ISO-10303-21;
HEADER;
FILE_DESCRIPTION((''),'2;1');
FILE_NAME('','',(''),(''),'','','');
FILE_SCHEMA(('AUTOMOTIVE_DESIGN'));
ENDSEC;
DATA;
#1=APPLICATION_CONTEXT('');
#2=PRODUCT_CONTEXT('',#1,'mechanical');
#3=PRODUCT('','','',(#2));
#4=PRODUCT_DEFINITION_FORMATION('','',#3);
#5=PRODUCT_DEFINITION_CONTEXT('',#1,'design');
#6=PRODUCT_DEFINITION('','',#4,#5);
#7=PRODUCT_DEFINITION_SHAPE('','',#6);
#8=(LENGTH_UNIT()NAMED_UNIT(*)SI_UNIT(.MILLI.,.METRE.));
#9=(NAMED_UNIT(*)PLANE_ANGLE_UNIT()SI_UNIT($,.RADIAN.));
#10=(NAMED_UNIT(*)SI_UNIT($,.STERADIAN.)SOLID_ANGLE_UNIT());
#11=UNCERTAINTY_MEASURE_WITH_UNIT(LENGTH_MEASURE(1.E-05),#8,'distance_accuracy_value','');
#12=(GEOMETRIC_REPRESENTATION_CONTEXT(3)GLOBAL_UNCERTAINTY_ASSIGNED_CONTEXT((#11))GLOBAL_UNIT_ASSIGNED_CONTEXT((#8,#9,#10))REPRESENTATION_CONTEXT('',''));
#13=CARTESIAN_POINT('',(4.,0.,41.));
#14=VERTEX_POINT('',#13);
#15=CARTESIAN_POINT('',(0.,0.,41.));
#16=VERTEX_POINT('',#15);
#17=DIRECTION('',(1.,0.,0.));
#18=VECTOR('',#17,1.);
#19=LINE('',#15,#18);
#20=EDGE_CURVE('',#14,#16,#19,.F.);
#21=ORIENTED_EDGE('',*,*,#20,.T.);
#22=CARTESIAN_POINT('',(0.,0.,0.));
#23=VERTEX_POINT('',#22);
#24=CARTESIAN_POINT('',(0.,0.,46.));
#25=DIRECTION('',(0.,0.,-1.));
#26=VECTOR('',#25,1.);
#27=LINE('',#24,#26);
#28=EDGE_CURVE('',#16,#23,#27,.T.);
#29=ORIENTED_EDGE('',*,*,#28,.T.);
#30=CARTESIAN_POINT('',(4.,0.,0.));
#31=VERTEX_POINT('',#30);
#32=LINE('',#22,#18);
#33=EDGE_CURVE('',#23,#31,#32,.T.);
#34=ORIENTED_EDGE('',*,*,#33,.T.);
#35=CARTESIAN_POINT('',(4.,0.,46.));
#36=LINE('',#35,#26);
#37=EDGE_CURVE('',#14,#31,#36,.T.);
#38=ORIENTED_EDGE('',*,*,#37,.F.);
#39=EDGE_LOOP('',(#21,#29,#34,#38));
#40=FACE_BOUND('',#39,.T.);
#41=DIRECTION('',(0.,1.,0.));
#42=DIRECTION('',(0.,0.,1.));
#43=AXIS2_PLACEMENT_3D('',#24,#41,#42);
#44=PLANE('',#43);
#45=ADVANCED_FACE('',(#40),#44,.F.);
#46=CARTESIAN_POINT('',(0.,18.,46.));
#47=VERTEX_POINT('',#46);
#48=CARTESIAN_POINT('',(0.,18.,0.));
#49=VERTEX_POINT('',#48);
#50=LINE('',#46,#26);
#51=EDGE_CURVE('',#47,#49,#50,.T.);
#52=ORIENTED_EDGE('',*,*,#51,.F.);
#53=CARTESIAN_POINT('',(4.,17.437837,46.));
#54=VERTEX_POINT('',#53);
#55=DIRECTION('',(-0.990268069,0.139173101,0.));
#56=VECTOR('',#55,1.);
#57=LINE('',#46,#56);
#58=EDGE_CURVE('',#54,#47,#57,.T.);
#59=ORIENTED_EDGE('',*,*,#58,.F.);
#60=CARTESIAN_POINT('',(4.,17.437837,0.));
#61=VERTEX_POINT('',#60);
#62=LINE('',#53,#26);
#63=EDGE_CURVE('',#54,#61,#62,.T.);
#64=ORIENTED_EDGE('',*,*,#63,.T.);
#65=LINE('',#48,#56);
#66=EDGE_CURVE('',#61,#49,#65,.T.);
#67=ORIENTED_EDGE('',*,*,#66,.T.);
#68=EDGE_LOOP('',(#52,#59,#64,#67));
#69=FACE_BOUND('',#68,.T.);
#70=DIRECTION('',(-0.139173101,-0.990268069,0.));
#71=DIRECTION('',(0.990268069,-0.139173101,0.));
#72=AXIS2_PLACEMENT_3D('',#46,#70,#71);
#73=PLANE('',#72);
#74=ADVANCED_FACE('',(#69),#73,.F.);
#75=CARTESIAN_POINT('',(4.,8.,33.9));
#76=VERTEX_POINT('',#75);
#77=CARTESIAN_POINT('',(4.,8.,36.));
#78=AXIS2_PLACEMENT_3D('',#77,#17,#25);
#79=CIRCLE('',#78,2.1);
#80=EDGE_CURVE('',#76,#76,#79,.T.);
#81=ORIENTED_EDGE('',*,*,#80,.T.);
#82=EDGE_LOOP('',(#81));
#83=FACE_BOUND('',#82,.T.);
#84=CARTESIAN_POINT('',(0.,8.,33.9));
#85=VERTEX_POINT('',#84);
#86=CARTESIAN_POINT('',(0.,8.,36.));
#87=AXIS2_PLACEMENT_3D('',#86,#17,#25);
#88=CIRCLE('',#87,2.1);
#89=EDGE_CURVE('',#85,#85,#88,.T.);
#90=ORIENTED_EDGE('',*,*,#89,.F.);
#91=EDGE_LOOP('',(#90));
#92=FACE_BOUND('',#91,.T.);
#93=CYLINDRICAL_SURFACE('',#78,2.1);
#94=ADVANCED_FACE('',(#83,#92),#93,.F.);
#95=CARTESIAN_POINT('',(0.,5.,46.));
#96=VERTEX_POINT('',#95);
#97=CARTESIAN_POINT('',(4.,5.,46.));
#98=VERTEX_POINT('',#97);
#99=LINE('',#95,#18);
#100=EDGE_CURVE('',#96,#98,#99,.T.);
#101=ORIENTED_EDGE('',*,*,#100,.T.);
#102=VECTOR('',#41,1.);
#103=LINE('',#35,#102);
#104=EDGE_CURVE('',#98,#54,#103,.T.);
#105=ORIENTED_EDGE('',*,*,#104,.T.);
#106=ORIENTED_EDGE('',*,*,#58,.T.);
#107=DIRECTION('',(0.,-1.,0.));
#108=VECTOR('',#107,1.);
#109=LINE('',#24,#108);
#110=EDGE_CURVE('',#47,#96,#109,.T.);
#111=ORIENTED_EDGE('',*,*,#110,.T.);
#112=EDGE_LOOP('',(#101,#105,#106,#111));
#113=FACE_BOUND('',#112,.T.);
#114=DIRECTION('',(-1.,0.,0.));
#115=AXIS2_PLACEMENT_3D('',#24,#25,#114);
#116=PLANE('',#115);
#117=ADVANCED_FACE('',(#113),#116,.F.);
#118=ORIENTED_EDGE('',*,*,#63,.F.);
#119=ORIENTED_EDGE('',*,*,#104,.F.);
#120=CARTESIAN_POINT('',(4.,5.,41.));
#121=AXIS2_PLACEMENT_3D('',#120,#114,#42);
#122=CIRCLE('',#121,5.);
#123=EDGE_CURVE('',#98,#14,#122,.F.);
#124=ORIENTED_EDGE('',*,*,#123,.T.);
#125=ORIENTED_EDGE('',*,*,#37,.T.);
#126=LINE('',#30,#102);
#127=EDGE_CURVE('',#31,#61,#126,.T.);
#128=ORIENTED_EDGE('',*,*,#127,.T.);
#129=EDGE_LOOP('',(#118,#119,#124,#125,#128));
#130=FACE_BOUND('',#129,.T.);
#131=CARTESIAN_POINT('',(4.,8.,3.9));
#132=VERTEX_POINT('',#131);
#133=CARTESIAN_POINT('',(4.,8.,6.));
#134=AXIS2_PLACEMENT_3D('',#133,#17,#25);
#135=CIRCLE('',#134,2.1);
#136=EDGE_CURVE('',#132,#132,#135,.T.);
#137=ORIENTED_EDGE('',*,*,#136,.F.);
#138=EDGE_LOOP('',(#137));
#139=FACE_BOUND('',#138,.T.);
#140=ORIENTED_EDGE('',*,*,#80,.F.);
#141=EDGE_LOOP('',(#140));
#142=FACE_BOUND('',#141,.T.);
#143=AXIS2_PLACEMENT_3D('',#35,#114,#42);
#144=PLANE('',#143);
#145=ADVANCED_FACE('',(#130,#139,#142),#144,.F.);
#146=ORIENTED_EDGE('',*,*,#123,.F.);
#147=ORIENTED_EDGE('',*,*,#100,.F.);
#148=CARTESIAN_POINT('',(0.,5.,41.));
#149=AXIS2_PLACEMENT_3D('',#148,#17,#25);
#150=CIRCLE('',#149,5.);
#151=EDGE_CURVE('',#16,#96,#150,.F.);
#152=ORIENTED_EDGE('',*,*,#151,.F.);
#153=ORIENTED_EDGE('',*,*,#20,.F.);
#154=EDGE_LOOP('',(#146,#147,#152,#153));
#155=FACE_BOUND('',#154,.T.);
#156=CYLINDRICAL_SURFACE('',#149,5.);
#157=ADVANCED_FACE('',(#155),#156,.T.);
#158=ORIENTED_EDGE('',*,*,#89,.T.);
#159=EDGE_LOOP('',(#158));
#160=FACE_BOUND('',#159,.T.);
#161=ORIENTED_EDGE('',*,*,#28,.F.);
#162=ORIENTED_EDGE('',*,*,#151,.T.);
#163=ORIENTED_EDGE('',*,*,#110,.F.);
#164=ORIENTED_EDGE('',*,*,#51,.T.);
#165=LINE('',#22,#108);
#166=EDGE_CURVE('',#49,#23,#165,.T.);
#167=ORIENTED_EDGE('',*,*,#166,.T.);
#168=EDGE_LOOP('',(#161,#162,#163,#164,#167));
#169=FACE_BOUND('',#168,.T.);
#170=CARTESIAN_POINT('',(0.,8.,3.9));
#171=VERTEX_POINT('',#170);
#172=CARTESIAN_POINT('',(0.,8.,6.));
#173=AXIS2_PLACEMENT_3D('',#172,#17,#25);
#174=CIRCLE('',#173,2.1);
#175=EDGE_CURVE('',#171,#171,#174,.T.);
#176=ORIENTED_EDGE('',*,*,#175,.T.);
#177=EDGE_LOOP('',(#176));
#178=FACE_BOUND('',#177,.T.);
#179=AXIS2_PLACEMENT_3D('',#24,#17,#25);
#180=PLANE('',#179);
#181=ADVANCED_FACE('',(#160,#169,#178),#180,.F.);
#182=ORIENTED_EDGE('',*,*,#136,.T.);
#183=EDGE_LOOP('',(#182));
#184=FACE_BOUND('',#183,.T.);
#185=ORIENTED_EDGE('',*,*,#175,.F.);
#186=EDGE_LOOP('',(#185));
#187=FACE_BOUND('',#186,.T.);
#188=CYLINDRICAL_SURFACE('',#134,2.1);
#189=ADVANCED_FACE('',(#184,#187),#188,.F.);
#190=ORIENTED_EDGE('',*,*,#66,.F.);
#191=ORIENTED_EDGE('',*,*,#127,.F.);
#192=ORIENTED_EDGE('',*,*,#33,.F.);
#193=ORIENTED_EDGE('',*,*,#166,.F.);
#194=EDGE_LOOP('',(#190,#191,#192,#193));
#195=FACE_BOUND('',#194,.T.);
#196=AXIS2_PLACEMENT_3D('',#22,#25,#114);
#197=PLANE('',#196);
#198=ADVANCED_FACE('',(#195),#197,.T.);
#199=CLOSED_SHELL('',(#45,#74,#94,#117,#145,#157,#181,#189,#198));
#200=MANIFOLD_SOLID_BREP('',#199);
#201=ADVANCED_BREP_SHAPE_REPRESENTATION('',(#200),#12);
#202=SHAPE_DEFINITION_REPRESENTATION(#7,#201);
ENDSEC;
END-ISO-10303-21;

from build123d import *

# Parameters (mm, degrees)
EXTRUSION1_DEPTH  = 46
CONG_1_R          = 5
TROU_TARAUD_M51_D = 4.2


with BuildPart() as part:
    # Esquisse1 → Extrusion1 (new body)
    with BuildSketch(Plane.XY):
        Polygon((0, 0), (4, 0), (4, 17.437836661), (0, 18), align=None)
    extrude(amount=EXTRUSION1_DEPTH)

    # Congé1
    cong_1_edges = [part.edges().sort_by_distance(p)[0] for p in [
        (2, 0, 46),
    ]]
    fillet(cong_1_edges, radius=CONG_1_R)

    # Trou taraudé M51 (through all)
    with Locations(Plane(origin=(4, 0, 0), x_dir=(0, 0, -1), z_dir=(1, 0, 0))):
        with Locations((-6, 8), (-36, 8)):
            Hole(TROU_TARAUD_M51_D / 2)


solid = part.part
